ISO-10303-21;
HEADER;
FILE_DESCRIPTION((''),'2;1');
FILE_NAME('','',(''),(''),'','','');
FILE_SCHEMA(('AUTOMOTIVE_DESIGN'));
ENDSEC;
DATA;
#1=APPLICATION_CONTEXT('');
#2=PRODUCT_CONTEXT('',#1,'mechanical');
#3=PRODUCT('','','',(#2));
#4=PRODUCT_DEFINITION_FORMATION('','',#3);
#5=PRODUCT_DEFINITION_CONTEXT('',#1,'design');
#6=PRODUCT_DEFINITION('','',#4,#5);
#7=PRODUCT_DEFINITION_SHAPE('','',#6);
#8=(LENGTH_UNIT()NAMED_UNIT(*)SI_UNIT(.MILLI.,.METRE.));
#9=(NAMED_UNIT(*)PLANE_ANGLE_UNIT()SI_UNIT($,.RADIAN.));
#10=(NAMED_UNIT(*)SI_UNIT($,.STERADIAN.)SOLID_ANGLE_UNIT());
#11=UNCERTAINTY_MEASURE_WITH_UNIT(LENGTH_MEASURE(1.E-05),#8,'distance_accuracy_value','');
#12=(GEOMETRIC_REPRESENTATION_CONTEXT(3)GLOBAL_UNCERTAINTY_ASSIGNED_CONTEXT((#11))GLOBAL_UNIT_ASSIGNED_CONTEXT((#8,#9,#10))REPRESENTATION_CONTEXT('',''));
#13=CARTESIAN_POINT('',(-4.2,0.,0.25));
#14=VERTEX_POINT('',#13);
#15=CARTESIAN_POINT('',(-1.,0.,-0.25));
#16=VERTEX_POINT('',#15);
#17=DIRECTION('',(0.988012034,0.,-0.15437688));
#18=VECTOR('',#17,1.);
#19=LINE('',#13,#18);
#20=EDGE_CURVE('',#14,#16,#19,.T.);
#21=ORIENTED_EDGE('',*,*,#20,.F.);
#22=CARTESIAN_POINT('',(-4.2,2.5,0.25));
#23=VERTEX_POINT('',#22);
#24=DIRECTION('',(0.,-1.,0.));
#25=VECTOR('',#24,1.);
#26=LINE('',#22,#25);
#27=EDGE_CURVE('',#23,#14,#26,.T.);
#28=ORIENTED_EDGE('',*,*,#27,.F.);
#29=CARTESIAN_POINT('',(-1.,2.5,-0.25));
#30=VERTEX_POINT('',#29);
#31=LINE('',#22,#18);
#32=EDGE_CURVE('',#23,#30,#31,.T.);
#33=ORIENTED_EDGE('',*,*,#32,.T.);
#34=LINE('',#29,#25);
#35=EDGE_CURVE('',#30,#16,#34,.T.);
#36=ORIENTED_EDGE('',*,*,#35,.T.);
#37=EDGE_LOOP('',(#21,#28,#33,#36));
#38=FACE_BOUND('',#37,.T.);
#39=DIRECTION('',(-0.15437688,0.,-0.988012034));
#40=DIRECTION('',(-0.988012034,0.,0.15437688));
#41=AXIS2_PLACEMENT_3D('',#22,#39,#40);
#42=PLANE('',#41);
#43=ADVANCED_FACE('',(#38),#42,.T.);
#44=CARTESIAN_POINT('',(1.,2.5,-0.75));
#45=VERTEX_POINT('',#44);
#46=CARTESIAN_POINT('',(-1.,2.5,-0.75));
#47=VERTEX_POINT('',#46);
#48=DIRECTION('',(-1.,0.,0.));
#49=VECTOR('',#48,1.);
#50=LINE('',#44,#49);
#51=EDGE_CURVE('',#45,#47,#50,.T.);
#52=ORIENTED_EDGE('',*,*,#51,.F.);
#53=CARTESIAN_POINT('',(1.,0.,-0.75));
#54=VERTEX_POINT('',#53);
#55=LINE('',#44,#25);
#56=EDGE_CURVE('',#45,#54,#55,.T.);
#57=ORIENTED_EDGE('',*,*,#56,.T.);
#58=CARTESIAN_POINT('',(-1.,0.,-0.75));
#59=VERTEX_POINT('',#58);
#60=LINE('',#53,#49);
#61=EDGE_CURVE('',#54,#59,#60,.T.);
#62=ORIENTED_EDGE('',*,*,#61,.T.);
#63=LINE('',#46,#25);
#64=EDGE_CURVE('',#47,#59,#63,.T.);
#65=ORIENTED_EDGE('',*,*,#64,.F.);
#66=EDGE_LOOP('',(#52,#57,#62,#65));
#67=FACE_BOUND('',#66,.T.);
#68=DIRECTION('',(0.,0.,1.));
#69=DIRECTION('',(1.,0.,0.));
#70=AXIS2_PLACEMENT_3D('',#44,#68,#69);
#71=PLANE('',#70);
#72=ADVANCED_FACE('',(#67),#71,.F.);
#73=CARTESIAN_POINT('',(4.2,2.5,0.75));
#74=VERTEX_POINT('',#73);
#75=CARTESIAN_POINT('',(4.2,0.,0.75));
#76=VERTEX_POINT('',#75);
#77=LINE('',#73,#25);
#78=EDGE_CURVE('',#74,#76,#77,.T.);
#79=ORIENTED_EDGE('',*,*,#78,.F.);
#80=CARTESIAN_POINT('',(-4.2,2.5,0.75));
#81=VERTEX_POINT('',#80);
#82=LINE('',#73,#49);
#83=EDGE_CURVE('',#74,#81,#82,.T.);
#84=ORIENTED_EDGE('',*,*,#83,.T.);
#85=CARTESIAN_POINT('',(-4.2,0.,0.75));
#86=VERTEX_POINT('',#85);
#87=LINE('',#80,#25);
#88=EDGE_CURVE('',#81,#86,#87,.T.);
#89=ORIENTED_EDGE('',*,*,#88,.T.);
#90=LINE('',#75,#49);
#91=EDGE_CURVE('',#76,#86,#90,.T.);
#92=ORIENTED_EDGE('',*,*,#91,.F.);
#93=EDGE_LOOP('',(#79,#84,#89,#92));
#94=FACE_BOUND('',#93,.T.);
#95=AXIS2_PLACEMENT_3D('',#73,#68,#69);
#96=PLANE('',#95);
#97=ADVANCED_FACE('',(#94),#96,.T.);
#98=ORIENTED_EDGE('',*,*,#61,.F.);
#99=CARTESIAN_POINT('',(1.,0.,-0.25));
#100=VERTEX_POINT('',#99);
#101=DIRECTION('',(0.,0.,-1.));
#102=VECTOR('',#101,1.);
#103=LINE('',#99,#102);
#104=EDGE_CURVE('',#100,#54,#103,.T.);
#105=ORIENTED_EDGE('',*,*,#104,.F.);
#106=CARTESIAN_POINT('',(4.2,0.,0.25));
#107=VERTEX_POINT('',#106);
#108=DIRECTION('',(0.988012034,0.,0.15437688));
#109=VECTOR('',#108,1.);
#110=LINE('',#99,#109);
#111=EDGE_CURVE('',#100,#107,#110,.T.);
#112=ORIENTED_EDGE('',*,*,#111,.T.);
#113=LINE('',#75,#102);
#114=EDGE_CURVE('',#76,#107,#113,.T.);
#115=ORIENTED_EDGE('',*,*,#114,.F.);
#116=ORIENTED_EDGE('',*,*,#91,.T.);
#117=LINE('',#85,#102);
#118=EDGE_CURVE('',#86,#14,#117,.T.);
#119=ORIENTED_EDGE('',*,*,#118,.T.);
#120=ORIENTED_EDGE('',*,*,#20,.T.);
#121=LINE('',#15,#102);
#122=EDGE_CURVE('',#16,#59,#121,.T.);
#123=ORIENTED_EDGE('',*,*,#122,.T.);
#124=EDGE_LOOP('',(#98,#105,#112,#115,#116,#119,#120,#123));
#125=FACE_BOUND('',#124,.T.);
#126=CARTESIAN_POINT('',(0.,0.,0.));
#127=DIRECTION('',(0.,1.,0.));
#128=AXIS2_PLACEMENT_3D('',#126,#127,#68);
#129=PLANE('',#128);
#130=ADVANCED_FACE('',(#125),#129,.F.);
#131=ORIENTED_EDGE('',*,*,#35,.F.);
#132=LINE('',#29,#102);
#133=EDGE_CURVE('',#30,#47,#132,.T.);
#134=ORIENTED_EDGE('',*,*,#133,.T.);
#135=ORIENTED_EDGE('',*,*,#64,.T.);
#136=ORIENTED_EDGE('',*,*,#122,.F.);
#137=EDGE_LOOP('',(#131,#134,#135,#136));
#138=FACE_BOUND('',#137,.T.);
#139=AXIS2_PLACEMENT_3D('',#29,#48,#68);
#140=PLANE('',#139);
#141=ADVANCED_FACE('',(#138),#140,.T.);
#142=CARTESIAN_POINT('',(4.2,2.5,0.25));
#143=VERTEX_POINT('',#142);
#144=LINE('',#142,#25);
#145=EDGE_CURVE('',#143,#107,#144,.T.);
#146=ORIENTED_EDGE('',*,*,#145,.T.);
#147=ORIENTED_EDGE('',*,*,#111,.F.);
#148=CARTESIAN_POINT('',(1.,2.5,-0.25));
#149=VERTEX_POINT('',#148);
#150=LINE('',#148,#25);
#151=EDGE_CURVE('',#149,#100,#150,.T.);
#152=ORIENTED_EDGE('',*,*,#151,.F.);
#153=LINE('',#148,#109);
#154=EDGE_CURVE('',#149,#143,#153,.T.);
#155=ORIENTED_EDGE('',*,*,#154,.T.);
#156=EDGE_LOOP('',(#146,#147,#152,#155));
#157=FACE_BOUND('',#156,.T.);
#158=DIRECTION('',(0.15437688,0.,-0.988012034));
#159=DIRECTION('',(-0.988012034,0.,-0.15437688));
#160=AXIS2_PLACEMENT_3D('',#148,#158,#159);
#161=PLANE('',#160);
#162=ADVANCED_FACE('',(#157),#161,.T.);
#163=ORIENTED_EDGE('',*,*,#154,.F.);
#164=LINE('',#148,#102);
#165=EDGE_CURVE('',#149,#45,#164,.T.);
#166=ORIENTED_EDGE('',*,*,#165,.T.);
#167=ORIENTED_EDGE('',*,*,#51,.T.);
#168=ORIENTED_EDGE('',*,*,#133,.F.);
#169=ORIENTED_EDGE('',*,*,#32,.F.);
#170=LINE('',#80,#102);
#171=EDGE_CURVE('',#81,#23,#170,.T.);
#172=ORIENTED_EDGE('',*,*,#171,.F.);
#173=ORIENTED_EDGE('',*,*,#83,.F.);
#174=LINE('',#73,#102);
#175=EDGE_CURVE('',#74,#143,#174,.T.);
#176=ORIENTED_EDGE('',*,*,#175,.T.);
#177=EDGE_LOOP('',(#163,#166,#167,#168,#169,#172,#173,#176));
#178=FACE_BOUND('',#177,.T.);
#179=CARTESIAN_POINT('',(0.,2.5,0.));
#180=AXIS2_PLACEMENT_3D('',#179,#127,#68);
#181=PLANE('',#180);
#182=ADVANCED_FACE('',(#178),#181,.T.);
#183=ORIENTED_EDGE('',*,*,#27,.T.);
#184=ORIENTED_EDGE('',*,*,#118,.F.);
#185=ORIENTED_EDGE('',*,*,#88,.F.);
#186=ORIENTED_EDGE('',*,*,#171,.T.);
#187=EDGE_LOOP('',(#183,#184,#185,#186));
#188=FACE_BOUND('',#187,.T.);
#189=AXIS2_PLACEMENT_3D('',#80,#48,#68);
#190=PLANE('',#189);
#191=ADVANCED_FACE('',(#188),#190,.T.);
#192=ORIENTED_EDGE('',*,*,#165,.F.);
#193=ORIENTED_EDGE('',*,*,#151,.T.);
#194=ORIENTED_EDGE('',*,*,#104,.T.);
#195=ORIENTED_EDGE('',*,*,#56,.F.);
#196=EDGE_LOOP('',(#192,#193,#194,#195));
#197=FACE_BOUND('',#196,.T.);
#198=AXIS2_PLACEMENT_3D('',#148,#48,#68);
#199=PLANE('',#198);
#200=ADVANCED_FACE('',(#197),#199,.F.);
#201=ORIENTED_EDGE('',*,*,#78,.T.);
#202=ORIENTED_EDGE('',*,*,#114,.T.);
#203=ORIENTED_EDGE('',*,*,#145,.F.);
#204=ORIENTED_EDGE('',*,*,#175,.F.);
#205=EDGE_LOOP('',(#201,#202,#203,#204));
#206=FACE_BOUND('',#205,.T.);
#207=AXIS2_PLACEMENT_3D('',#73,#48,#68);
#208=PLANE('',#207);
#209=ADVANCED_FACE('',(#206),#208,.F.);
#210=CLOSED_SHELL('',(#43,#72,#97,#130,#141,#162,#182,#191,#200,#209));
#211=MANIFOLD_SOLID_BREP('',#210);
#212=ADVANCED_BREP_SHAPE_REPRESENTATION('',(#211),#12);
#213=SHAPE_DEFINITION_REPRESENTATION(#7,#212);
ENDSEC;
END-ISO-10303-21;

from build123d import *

# Parameters (mm, degrees)
P_IDAT_VYSUNUT_M1_DEPTH = 2.5


with BuildPart() as part:
    # Skica1 → Přidat vysunutím1 (new body)
    with BuildSketch(Plane(origin=(0, 0, 0), x_dir=(1, 0, 0), z_dir=(0, 1, 0))):
        Polygon((4.2, -0.75), (-4.2, -0.75), (-4.2, -0.25), (-1, 0.25), (-1, 0.75), (1, 0.75), (1, 0.25), (4.2, -0.25), align=None)
    extrude(amount=P_IDAT_VYSUNUT_M1_DEPTH)


solid = part.part
